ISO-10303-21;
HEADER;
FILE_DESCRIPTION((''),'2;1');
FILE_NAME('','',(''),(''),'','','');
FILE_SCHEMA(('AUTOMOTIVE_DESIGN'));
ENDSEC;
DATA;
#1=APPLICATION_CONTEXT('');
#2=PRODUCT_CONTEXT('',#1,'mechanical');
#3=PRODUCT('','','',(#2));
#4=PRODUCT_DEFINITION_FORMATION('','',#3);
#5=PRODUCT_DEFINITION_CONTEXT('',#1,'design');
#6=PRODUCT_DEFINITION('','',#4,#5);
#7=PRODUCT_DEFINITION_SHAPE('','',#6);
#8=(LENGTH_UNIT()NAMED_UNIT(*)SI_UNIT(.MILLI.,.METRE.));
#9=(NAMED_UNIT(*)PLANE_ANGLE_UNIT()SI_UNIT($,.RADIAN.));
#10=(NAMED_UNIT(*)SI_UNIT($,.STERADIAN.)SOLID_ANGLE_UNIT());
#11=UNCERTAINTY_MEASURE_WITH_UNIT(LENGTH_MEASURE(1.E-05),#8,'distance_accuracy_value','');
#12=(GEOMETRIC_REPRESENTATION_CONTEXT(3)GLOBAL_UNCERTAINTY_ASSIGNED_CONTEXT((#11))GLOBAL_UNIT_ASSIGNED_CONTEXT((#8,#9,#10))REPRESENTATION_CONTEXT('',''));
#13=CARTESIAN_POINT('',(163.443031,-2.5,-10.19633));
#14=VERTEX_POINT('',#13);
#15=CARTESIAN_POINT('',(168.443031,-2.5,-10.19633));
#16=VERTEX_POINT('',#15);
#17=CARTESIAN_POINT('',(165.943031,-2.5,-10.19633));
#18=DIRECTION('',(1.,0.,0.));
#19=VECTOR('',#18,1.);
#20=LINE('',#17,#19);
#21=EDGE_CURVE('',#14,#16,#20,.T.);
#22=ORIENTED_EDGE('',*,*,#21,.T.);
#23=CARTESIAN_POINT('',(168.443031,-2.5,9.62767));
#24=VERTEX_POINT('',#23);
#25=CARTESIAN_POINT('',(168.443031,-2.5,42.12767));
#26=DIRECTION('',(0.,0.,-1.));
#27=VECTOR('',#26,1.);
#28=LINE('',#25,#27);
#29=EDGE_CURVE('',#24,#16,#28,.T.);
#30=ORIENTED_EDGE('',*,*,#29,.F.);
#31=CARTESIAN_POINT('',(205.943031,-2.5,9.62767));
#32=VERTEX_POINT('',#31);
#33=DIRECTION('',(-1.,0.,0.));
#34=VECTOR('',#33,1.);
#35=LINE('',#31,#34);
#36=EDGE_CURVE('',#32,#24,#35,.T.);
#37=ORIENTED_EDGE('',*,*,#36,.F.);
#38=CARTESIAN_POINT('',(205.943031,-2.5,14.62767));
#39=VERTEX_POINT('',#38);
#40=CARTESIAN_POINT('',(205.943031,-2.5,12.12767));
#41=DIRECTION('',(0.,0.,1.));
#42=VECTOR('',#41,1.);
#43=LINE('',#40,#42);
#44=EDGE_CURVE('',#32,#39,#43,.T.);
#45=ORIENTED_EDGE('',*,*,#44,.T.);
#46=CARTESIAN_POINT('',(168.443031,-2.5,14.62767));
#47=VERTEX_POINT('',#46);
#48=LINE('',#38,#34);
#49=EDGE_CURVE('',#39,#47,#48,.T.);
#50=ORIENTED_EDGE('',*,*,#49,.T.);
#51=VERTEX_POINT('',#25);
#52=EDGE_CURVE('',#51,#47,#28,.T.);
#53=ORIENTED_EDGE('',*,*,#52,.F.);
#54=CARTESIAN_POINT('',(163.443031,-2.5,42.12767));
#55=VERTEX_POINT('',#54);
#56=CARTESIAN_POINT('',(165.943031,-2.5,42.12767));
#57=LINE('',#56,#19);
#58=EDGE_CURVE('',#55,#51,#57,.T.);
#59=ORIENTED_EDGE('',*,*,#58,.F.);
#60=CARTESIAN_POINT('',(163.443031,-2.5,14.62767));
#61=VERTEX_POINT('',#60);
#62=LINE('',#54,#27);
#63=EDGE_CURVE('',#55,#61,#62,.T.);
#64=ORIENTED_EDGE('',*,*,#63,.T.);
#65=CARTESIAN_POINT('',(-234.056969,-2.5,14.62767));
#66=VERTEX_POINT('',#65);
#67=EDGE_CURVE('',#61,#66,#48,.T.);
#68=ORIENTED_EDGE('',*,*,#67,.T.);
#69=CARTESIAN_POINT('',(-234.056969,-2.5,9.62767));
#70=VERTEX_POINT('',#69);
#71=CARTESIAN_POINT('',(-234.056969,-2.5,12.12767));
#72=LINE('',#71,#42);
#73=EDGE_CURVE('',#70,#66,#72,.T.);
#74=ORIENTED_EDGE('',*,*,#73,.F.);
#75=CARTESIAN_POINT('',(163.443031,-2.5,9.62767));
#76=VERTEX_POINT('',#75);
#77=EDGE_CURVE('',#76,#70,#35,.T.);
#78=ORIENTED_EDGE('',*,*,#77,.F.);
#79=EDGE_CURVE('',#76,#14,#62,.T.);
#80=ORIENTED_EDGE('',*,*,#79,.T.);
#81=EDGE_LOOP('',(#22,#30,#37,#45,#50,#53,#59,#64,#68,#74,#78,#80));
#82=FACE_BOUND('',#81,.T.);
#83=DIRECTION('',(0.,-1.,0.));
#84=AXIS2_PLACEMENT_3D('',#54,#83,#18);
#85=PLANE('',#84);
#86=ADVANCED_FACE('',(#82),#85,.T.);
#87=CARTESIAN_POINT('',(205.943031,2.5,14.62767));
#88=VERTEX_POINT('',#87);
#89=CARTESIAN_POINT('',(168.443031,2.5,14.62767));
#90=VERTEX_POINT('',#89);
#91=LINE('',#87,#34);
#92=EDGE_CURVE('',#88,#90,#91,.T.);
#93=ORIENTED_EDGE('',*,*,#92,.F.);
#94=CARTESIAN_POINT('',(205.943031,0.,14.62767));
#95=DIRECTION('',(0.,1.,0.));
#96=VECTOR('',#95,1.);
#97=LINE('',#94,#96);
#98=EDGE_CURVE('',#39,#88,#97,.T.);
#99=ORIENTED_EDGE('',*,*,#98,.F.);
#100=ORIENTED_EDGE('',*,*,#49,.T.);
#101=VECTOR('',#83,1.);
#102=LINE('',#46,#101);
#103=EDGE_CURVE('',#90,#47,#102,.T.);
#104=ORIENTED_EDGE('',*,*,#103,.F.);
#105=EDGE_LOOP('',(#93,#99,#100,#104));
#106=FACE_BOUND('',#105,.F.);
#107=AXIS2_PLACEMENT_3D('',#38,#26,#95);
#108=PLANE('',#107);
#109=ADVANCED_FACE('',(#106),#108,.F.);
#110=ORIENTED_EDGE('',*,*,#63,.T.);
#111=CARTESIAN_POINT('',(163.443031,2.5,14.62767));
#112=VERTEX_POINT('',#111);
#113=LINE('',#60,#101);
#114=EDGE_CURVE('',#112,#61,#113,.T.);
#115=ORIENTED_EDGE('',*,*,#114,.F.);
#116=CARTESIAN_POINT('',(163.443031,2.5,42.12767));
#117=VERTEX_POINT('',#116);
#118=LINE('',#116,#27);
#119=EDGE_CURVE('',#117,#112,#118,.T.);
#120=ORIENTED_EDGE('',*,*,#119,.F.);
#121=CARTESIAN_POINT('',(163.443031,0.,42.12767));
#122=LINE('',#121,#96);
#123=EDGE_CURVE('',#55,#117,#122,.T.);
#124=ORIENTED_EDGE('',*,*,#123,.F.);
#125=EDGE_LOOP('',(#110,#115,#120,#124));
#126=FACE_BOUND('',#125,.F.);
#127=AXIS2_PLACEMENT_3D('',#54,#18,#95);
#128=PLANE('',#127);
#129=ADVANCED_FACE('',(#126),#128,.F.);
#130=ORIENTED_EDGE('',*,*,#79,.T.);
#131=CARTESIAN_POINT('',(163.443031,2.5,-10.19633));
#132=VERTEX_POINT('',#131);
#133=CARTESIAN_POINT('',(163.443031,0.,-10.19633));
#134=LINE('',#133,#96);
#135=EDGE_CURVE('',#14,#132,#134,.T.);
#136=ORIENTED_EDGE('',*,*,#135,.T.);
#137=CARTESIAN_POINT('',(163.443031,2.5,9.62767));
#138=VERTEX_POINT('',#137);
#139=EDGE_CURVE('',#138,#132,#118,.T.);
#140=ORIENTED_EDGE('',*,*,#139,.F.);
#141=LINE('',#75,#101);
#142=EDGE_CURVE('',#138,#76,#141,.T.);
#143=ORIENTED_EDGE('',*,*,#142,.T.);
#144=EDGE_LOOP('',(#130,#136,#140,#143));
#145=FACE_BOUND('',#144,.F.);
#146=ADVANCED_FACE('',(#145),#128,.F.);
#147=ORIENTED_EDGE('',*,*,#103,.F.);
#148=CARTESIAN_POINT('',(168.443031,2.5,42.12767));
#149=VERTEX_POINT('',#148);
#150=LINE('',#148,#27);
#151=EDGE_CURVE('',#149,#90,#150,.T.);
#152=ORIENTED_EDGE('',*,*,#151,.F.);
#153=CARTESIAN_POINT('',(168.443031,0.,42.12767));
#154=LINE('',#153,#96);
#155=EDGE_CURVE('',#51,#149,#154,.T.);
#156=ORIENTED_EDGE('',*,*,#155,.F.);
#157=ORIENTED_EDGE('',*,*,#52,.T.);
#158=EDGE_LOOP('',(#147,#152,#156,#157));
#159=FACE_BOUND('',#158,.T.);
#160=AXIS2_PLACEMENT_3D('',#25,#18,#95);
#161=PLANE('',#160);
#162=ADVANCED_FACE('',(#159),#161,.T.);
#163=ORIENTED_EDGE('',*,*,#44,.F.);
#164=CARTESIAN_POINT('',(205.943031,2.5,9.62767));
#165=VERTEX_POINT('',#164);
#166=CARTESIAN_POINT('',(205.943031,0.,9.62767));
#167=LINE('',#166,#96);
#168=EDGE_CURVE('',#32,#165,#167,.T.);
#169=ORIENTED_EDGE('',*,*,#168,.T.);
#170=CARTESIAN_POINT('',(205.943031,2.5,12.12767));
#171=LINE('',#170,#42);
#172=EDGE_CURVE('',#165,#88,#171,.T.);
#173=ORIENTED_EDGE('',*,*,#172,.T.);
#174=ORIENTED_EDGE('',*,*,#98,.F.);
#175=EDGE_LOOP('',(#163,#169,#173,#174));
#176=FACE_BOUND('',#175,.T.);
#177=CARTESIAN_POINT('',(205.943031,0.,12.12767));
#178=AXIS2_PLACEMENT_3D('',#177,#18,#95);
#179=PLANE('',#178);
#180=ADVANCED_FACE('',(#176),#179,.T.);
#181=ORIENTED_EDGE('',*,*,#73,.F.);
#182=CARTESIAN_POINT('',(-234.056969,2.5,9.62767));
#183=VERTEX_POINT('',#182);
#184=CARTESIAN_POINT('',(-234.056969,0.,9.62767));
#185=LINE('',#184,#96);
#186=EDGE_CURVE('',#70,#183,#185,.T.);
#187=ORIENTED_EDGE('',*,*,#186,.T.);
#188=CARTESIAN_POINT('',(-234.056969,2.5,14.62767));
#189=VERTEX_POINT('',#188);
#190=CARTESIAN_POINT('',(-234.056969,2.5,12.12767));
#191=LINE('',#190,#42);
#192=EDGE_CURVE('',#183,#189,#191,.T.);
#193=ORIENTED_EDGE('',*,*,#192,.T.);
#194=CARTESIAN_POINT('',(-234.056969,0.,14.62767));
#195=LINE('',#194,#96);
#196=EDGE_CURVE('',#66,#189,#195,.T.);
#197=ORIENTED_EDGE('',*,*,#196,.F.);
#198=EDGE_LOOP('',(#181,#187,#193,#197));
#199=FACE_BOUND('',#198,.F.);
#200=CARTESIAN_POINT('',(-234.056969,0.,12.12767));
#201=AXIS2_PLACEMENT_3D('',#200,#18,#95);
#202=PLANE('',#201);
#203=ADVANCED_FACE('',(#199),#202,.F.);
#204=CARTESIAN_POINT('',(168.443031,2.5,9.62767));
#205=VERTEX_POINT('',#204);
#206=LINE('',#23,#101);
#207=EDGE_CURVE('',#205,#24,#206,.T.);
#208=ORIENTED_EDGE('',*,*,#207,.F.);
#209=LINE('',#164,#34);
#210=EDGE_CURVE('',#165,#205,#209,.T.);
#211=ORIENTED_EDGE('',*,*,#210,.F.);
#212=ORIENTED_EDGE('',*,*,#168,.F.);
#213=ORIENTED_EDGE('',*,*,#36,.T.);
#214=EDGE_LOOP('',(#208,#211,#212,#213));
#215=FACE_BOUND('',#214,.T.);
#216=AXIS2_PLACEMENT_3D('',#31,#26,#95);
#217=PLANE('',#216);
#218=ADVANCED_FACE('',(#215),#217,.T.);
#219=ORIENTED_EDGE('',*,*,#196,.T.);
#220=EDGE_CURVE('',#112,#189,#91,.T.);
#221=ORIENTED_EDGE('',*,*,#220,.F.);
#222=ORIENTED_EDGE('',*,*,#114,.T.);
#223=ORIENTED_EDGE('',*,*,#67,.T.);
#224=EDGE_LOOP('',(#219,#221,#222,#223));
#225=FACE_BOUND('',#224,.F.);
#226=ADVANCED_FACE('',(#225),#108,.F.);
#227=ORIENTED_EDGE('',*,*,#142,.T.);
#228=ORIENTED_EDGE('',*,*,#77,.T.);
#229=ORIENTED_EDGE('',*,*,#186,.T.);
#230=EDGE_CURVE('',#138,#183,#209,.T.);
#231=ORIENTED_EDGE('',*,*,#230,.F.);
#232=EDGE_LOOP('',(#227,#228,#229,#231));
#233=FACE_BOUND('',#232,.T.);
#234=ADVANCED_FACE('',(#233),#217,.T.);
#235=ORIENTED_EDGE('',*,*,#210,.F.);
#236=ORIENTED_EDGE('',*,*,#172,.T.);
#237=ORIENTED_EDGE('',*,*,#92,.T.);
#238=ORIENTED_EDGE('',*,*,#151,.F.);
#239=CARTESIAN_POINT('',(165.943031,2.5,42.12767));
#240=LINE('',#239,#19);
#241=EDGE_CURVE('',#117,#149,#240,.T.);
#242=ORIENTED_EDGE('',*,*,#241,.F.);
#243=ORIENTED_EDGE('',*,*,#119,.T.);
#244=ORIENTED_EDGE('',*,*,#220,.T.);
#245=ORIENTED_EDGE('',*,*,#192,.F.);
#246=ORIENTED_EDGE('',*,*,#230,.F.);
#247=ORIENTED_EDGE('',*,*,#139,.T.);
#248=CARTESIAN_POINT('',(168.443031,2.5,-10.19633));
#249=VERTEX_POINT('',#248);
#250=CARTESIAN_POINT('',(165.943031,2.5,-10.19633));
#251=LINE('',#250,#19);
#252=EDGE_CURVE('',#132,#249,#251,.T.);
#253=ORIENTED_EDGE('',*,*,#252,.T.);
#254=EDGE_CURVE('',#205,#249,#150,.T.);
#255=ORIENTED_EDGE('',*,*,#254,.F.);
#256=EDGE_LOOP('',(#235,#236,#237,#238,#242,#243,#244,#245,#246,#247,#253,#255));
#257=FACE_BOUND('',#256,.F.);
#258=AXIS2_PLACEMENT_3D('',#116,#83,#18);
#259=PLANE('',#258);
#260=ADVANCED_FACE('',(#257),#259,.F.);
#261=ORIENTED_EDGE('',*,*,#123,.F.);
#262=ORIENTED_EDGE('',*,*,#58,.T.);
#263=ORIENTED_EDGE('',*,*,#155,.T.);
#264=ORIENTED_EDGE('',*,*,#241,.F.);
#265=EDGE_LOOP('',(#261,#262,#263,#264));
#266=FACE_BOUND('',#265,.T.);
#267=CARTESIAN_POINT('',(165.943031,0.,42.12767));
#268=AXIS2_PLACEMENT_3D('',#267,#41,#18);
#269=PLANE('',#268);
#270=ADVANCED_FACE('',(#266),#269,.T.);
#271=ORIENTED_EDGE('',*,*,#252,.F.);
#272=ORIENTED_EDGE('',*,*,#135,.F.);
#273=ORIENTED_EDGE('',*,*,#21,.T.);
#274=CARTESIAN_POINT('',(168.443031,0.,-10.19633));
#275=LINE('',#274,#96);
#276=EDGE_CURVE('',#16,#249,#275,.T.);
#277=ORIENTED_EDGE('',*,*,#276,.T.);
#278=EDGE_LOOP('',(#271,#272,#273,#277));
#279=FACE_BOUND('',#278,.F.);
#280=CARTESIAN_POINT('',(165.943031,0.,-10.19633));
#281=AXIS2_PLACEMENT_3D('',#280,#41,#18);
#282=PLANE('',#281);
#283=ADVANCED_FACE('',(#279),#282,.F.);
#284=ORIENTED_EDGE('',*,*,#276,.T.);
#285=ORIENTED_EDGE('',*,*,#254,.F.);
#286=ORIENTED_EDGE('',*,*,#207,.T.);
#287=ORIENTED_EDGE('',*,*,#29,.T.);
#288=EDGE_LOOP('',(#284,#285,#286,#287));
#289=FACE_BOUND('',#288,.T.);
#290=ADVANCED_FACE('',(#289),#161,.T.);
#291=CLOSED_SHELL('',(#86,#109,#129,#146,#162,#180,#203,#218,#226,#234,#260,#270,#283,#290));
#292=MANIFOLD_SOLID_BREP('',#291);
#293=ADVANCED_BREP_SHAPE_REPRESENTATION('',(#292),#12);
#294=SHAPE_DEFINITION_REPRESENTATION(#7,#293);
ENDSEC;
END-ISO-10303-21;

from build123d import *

# Parameters (mm, degrees)
F2_W     = 5
F2_H     = 5
F4_DEPTH = 440
F7_W     = 5
F7_H     = 5
F8_DEPTH = 52.324


with BuildPart() as f4:
    # F2 (on line) → F4 (new body, through all)
    with BuildSketch(Plane.YZ.offset(205.9430314518)):
        with Locations((0, 12.1276704594)):
            Rectangle(F2_W, F2_H)
    extrude(amount=-F4_DEPTH)

    # F7 (on line) → F8 (join)
    with BuildSketch(Plane.XY.offset(42.1276704594)):
        with Locations((165.9430314518, 0)):
            Rectangle(F7_W, F7_H)
    extrude(amount=-F8_DEPTH)


solid = f4.part
